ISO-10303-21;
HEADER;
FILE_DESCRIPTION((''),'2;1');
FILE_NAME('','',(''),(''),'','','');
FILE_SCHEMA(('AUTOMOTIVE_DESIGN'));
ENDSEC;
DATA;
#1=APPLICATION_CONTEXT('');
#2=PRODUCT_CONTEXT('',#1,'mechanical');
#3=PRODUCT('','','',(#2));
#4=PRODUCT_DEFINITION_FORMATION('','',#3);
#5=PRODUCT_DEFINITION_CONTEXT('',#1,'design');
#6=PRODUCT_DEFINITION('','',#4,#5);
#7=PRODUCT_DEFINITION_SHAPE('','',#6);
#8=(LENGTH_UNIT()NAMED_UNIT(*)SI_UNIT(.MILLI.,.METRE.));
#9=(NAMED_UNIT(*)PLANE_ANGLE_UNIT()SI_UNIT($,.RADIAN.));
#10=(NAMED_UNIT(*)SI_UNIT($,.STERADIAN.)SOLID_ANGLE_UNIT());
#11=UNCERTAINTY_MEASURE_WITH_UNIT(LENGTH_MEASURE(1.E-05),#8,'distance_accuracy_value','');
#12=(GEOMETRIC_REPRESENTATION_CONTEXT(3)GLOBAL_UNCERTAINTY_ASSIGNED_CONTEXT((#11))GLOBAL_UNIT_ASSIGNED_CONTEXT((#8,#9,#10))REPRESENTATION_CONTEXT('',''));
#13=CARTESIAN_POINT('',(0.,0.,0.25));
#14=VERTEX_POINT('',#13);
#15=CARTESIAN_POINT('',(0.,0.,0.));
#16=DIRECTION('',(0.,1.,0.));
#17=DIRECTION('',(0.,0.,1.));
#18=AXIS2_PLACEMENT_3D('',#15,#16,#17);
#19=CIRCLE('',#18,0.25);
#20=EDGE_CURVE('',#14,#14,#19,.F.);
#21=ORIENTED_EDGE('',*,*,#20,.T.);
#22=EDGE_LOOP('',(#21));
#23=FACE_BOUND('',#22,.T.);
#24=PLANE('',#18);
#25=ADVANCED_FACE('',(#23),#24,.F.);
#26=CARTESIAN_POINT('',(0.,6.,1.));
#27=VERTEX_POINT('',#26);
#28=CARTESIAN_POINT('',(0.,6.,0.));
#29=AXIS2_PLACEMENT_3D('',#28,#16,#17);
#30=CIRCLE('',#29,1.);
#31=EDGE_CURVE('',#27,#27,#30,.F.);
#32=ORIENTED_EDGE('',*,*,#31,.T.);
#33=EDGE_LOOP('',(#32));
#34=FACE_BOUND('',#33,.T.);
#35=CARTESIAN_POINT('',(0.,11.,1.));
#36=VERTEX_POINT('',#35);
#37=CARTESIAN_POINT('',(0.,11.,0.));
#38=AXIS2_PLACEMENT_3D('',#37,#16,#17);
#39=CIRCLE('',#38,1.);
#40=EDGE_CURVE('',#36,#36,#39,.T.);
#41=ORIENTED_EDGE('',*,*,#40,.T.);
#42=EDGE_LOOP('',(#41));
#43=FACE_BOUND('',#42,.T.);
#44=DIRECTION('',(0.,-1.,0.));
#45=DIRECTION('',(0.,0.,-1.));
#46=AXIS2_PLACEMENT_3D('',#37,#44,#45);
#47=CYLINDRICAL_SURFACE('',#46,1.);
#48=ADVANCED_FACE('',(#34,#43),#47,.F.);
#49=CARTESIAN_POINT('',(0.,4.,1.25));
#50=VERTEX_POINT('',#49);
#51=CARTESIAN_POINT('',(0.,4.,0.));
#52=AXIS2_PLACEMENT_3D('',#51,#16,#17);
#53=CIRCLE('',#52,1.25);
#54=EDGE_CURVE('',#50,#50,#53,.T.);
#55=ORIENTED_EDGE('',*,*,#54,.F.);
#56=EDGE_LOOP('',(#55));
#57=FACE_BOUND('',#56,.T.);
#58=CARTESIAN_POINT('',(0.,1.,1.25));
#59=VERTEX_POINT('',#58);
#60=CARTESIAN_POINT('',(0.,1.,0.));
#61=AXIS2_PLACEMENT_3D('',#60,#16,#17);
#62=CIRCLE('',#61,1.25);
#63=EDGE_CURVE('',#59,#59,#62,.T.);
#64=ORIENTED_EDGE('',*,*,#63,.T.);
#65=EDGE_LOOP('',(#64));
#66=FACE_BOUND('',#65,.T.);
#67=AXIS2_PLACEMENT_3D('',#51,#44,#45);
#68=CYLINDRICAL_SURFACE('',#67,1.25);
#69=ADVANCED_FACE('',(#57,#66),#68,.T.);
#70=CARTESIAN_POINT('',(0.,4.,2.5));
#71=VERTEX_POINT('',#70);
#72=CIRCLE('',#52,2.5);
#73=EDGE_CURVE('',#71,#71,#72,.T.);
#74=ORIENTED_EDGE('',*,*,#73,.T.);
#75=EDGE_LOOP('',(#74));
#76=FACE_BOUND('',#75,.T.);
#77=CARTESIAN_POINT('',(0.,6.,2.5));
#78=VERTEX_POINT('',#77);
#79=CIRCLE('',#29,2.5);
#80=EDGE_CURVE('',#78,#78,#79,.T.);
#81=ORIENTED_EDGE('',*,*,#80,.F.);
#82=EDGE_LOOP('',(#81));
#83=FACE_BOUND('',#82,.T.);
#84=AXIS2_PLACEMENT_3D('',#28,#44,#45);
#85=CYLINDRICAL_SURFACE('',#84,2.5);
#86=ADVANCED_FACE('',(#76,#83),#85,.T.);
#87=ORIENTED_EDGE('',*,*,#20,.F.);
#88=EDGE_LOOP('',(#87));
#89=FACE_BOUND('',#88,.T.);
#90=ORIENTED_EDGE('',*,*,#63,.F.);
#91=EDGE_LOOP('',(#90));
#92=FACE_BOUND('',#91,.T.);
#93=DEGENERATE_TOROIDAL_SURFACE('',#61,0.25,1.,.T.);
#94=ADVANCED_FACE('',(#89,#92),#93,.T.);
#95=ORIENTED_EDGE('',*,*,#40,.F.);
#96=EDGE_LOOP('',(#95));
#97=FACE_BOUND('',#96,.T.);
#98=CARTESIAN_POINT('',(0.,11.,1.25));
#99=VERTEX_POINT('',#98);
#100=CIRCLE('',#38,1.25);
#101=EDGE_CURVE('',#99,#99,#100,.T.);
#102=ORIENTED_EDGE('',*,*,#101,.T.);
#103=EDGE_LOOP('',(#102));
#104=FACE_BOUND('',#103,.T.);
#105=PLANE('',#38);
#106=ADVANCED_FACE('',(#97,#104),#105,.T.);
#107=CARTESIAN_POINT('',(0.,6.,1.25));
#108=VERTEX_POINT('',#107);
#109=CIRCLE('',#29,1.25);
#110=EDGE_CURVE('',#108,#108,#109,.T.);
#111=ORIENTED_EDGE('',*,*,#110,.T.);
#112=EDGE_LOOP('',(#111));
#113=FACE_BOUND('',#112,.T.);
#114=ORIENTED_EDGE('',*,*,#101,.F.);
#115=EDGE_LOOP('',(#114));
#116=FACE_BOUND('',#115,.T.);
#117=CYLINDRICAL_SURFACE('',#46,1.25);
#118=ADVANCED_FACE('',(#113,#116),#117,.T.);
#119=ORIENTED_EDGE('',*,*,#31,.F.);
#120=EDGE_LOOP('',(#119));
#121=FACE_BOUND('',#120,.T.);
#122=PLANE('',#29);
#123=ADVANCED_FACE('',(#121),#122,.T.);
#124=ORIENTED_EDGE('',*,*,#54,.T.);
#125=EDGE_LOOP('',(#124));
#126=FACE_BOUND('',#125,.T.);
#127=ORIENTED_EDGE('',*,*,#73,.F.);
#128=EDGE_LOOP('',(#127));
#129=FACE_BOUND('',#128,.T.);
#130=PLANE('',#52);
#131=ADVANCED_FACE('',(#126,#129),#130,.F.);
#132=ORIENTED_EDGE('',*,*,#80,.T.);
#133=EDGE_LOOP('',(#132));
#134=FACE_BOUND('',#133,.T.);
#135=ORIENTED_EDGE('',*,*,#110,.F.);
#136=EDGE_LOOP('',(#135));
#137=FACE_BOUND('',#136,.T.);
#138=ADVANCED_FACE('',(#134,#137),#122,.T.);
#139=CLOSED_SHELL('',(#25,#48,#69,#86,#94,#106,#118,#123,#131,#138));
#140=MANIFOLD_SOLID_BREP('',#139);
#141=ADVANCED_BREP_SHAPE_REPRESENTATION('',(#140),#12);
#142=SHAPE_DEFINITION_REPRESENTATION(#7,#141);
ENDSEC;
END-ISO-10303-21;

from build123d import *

# Parameters (mm, degrees)
SKETCH1_R           = 1.25
BOSS_EXTRUDE1_DEPTH = 4
SKETCH2_R           = 2.5
BOSS_EXTRUDE2_DEPTH = 2
SKETCH3_R           = 1.25
SKETCH3_R_2         = 1
BOSS_EXTRUDE3_DEPTH = 5
FILLET1_R           = 1


with BuildPart() as part:
    # Sketch1 → Boss-Extrude1 (new body)
    with BuildSketch(Plane(origin=(0, 0, 0), x_dir=(1, 0, 0), z_dir=(0, 1, 0))):
        Circle(SKETCH1_R)
    extrude(amount=BOSS_EXTRUDE1_DEPTH)

    # Sketch2 → Boss-Extrude2 (add)
    with BuildSketch(Plane(origin=(0, 4, 0), x_dir=(1, 0, 0), z_dir=(0, 1, 0))):
        Circle(SKETCH2_R)
    extrude(amount=BOSS_EXTRUDE2_DEPTH)

    # Sketch3 → Boss-Extrude3 (add)
    with BuildSketch(Plane(origin=(0, 6, 0), x_dir=(1, 0, 0), z_dir=(0, 1, 0))):
        Circle(SKETCH3_R)
        Circle(SKETCH3_R_2, mode=Mode.SUBTRACT)
    extrude(amount=BOSS_EXTRUDE3_DEPTH)

    # Fillet1
    fillet1_edges = [part.edges().sort_by_distance(p)[0] for p in [
        (-1.25, 0, 0),
    ]]
    fillet(fillet1_edges, radius=FILLET1_R)


solid = part.part
